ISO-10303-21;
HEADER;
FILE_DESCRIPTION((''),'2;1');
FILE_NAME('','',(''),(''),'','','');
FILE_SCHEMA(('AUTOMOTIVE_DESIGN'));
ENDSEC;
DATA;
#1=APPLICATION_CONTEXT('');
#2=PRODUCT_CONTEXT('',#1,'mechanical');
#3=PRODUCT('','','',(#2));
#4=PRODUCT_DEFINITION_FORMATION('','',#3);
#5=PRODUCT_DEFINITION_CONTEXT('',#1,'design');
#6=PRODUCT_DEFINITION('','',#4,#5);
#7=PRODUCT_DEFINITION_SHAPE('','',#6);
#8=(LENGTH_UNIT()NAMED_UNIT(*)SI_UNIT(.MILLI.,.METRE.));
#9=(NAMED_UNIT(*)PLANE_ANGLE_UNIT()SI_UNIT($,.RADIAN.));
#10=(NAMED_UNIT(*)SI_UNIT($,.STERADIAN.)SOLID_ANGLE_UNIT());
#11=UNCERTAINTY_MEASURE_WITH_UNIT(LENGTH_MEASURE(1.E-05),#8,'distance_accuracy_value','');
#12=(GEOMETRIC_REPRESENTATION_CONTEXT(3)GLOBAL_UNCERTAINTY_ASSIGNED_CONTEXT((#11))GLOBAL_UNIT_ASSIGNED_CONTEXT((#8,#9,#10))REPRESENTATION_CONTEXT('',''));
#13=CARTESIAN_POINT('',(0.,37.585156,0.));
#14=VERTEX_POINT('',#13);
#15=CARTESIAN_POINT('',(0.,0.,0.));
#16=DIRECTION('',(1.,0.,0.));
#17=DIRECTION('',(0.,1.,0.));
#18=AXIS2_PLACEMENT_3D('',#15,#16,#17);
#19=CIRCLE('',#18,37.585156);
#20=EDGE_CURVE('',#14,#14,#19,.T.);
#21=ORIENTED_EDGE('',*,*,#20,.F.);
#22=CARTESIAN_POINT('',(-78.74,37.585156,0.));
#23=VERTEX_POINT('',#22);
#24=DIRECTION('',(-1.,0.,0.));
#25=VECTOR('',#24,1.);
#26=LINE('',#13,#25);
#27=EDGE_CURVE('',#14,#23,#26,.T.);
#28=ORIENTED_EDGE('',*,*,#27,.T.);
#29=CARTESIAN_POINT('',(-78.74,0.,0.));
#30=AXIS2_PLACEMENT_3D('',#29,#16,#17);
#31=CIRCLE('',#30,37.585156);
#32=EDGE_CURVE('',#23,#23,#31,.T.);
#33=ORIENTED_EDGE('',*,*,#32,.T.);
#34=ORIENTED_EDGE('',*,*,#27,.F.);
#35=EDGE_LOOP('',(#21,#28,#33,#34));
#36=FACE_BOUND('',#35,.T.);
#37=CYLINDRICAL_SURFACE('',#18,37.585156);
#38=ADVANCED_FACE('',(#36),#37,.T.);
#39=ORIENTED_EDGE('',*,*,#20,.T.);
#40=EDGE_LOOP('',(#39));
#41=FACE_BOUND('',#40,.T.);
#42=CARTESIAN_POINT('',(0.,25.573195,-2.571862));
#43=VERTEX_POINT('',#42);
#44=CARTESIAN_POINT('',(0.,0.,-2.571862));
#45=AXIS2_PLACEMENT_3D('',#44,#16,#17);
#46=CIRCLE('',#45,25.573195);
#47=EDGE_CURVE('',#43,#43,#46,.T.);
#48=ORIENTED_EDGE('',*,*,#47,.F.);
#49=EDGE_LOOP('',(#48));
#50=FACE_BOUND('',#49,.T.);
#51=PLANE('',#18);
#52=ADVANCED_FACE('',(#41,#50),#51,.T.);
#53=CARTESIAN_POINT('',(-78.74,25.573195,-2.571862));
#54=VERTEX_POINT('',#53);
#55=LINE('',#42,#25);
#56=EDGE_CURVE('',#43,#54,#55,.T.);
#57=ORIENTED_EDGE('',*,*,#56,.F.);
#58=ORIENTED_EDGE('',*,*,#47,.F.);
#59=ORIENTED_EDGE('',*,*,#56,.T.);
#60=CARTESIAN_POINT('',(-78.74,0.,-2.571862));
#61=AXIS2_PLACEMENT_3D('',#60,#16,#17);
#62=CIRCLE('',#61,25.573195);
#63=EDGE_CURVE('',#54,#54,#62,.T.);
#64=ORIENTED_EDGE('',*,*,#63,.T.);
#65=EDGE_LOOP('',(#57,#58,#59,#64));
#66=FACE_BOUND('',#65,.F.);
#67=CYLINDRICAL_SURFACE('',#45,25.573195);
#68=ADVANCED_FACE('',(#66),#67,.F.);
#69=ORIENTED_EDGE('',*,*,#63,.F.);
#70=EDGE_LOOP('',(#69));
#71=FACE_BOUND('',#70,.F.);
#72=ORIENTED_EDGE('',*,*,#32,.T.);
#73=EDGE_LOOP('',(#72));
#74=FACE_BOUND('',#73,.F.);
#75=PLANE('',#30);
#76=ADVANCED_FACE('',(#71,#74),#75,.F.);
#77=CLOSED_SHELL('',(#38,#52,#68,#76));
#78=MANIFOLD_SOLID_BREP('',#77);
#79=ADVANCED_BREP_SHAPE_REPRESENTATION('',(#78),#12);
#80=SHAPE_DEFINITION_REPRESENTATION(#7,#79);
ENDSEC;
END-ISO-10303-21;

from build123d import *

# Parameters (mm, degrees)
F0_R     = 37.585156
F0_R_2   = 25.573195
F1_DEPTH = 78.74


with BuildPart() as f1:
    # F0 (on Right) → F1 (new body)
    with BuildSketch(Plane.YZ):
        Circle(F0_R)
        with Locations((0, -2.571862)):
            Circle(F0_R_2, mode=Mode.SUBTRACT)
    extrude(amount=-F1_DEPTH)


solid = f1.part
